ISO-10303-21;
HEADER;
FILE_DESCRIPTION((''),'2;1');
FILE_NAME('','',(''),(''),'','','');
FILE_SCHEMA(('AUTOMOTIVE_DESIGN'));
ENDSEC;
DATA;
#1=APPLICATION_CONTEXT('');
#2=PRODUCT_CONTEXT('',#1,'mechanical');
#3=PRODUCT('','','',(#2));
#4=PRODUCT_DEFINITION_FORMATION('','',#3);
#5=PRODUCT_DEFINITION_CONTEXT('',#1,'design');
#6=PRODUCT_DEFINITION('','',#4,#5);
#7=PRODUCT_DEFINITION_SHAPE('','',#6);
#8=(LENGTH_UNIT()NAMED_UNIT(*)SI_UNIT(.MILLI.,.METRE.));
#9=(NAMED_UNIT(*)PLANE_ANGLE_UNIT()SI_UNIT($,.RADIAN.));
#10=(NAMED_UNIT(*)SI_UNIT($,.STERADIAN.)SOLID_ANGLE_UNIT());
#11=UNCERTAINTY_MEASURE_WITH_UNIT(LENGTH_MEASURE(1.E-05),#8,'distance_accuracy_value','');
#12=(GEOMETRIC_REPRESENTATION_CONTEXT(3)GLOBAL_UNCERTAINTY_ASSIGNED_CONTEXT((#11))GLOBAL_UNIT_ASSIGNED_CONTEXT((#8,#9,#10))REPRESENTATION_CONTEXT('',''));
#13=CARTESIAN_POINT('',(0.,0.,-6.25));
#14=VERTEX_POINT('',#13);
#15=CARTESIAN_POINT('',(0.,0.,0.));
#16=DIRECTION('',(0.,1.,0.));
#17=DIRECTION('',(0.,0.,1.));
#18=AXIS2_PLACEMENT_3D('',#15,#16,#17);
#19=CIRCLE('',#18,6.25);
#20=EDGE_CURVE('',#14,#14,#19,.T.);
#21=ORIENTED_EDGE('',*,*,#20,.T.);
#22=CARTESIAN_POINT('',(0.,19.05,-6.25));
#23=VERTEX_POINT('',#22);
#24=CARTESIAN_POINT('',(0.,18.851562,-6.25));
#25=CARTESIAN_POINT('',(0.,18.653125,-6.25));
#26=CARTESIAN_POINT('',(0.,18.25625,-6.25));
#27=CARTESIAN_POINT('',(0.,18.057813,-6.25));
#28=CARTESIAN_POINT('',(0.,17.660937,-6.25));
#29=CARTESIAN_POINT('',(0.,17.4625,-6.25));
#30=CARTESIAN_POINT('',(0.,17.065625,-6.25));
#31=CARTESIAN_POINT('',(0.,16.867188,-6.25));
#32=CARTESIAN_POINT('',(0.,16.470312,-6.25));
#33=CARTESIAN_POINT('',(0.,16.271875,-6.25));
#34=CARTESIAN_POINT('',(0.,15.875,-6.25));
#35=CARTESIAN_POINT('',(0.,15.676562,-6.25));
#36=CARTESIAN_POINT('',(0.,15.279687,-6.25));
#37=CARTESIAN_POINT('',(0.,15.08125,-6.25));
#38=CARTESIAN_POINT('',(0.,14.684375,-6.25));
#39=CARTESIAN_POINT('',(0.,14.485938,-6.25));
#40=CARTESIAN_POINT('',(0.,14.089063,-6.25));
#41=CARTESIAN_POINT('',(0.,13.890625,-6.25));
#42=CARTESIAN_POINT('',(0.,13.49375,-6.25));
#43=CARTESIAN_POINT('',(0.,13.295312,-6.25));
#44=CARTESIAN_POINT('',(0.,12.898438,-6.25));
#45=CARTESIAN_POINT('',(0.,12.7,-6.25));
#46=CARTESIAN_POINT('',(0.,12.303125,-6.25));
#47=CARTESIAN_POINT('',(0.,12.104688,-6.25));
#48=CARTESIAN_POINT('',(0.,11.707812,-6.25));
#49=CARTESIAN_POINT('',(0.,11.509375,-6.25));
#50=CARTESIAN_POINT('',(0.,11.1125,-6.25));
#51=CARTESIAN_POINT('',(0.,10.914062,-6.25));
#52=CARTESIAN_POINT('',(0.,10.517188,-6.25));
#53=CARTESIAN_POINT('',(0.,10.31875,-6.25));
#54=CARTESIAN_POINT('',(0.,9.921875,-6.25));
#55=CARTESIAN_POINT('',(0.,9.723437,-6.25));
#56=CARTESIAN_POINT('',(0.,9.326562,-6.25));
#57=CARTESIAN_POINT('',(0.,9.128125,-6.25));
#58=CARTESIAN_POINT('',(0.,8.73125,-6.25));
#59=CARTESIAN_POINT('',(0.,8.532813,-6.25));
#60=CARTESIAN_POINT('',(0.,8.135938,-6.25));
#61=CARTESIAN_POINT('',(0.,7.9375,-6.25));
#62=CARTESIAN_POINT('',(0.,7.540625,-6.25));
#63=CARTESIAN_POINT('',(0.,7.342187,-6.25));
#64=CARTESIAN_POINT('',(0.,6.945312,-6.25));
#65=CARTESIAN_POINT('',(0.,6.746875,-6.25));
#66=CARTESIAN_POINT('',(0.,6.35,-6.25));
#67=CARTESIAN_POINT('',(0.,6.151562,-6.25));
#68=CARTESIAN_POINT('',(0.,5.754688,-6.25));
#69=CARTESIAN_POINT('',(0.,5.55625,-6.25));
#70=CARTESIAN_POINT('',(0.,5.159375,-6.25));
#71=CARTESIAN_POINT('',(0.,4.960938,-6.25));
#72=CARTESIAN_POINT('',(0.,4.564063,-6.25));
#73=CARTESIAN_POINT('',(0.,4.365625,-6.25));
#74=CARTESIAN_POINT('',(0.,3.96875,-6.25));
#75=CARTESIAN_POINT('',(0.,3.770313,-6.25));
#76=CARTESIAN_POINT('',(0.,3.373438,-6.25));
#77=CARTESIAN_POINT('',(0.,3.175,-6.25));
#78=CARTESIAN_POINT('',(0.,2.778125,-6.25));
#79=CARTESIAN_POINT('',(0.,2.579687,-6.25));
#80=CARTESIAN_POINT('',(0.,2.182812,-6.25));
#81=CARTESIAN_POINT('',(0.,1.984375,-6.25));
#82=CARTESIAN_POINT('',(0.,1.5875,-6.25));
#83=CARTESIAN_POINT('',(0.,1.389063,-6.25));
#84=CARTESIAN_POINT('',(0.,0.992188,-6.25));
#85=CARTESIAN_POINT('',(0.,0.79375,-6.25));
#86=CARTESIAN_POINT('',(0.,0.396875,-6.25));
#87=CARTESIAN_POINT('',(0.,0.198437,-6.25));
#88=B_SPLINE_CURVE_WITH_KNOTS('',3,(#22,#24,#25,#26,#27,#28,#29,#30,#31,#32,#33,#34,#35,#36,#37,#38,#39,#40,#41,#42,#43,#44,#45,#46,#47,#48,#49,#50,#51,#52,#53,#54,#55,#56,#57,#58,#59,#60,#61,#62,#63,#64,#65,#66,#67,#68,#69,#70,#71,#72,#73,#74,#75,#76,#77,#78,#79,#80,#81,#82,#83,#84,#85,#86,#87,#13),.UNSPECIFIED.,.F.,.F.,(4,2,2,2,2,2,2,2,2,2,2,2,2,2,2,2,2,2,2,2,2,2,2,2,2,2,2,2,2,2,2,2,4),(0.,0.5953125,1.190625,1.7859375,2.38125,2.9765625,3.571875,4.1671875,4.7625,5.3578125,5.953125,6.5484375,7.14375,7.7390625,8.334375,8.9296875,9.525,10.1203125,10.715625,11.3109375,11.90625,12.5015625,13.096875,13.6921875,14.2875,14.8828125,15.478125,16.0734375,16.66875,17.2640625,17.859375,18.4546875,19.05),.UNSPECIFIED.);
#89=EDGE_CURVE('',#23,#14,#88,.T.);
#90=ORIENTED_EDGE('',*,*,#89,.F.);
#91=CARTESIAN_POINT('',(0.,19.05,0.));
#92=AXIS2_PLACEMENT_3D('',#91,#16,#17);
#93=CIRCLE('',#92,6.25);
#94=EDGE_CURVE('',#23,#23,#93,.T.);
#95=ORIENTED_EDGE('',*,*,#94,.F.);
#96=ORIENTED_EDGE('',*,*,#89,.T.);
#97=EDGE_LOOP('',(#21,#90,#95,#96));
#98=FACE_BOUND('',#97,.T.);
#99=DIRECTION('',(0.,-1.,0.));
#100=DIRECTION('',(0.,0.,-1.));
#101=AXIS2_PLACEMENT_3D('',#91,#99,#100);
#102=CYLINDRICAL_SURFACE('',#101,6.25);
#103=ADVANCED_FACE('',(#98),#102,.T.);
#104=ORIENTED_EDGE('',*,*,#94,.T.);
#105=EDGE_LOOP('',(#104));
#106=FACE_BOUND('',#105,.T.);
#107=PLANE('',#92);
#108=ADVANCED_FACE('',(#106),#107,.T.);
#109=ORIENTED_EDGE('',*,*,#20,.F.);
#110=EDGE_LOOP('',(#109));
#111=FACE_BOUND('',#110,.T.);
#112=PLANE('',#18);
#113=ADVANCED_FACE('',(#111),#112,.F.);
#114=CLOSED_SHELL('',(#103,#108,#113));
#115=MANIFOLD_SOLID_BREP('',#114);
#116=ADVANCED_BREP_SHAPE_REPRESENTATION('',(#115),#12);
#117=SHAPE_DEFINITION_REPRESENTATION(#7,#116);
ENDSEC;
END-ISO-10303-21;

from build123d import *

# Parameters (mm, degrees)
SKETCH1_R           = 6.25
BOSS_EXTRUDE1_DEPTH = 19.05


with BuildPart() as part:
    # Sketch1 → Boss-Extrude1 (new body)
    with BuildSketch(Plane(origin=(0, 0, 0), x_dir=(1, 0, 0), z_dir=(0, 1, 0))):
        with Locations(Location((0, 0, 0), (0, 0, 90))):
            Circle(SKETCH1_R)
    extrude(amount=BOSS_EXTRUDE1_DEPTH)


solid = part.part
